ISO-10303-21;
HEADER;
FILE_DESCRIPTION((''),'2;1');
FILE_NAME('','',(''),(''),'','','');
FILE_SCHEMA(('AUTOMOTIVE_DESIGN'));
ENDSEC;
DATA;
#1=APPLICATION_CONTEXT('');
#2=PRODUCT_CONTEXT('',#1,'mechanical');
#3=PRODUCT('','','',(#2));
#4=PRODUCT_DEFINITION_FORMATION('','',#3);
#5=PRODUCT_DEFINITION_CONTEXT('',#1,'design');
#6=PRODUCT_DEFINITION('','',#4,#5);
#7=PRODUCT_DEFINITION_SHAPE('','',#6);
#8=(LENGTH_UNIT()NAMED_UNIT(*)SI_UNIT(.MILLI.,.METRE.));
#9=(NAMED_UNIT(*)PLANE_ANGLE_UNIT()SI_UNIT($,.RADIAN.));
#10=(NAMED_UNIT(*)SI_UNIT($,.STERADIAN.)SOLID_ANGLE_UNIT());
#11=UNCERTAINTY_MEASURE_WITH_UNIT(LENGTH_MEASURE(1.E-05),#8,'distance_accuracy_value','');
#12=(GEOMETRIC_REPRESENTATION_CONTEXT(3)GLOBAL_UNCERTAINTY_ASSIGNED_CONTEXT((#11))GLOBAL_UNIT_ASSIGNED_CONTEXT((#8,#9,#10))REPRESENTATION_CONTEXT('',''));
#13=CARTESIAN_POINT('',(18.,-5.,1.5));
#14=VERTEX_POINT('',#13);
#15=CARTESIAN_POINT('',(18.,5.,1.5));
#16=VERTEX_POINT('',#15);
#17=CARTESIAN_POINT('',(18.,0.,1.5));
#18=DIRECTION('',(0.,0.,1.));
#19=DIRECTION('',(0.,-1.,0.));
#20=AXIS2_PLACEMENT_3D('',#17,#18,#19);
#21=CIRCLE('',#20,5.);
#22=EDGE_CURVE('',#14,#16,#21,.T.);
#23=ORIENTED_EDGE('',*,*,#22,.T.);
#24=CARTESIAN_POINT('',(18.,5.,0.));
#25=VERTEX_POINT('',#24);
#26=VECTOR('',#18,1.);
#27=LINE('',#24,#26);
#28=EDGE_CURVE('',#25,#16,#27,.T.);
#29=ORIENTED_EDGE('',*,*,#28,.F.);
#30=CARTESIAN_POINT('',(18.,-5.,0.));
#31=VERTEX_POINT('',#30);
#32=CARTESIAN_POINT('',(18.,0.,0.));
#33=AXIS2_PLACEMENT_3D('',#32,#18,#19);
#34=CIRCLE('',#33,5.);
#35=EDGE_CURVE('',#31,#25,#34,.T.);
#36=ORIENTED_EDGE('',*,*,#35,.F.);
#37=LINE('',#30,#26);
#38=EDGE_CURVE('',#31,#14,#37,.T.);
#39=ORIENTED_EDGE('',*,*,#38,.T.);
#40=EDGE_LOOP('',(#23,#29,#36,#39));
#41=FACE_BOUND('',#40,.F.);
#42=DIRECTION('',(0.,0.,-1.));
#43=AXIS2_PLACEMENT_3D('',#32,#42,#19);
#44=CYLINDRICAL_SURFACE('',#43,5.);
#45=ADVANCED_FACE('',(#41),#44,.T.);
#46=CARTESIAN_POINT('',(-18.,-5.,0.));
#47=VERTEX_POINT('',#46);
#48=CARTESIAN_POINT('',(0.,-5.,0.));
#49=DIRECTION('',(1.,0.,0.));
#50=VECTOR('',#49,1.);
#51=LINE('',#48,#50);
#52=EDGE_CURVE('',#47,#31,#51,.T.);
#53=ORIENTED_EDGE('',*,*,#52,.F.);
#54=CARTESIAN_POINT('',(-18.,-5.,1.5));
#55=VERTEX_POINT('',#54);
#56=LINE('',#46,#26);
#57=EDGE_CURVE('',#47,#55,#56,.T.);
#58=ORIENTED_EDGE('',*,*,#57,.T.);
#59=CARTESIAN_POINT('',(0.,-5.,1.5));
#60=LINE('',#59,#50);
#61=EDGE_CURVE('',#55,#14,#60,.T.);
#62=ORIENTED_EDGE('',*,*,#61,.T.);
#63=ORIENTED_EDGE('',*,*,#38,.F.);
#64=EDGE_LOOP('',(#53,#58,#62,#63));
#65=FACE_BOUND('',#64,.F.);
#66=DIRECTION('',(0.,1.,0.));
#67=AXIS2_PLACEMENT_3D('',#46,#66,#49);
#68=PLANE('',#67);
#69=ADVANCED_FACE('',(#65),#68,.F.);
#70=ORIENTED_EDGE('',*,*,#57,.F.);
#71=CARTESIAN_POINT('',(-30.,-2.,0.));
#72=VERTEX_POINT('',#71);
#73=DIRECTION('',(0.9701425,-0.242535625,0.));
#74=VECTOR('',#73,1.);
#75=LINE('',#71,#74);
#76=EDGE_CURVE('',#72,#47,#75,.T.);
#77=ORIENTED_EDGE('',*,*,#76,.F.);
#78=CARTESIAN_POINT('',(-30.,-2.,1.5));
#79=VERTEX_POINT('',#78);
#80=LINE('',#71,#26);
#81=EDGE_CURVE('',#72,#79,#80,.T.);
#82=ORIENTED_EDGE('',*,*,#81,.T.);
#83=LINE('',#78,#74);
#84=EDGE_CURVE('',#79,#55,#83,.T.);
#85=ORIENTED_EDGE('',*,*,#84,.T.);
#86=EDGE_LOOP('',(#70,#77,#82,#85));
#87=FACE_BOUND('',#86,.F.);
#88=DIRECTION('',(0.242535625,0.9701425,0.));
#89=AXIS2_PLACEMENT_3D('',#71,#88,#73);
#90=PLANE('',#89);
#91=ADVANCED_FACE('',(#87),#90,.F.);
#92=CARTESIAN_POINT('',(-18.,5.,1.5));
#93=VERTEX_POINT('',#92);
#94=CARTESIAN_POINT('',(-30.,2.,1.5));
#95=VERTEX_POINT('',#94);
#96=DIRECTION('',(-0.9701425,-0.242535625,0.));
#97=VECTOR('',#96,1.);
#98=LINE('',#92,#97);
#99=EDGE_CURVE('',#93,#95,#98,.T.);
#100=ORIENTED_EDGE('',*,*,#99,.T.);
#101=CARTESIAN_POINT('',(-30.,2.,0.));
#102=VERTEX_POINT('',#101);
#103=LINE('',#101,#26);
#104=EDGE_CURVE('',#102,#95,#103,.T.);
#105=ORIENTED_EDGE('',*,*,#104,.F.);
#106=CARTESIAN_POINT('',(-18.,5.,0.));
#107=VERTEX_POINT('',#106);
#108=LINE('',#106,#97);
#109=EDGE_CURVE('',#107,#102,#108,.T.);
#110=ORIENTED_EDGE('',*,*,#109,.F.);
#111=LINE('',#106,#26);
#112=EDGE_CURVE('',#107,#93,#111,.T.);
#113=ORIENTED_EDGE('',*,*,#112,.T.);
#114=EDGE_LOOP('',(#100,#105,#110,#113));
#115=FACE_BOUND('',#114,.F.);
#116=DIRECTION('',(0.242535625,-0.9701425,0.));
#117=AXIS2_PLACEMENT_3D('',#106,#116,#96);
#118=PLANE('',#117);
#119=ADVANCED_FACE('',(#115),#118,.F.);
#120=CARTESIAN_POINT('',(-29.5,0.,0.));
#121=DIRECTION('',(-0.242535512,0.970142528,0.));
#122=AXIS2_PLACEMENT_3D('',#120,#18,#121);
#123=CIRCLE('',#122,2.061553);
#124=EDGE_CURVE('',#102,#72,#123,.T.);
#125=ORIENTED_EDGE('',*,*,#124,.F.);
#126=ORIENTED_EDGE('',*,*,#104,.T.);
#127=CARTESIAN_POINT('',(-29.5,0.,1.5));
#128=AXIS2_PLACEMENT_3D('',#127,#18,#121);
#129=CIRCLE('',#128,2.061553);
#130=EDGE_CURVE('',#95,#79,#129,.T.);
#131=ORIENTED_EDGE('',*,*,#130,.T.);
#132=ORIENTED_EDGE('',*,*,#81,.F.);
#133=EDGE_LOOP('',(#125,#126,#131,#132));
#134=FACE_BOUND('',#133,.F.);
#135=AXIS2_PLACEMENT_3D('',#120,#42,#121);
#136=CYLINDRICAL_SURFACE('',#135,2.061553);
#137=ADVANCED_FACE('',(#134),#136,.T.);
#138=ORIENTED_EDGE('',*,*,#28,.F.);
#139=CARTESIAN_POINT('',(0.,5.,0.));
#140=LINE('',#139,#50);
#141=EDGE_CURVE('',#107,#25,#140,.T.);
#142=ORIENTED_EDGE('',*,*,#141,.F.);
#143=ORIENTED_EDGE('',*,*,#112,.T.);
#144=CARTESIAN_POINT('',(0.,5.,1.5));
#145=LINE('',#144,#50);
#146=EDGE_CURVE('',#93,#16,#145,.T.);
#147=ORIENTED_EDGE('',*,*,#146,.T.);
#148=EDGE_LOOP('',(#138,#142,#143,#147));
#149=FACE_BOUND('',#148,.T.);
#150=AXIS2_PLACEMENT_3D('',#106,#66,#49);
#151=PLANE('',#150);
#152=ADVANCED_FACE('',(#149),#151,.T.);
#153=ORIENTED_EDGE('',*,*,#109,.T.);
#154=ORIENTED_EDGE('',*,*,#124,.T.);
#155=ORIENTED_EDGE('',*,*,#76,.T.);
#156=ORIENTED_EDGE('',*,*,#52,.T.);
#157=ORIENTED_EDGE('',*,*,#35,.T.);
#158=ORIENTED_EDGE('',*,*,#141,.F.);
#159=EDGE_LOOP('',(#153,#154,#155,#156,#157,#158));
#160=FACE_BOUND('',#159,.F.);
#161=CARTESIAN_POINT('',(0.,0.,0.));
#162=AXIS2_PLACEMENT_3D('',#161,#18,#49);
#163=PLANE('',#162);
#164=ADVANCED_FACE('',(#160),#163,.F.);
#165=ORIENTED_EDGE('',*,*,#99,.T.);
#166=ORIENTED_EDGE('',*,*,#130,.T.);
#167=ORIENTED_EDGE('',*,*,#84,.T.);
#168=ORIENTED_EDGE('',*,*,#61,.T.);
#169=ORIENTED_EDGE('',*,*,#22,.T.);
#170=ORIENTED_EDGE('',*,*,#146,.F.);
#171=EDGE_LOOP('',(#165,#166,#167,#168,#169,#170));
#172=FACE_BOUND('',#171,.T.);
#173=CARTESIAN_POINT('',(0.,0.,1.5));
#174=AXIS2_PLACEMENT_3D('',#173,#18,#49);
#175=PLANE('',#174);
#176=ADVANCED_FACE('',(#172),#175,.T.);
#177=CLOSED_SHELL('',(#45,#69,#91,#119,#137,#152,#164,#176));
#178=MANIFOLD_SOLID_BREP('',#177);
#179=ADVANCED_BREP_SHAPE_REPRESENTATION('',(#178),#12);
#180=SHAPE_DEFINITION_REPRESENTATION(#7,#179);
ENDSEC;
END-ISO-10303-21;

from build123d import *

# Parameters (mm, degrees)
F0_W     = 36
F0_H     = 10
F1_DEPTH = 1.5


with BuildPart() as f1:
    # F0 (on Top) → F1 (new body)
    with BuildSketch(Plane.XY):
        Rectangle(F0_W, F0_H)
        with BuildLine():
            Line((18, 5), (18, -5))
            ThreePointArc((18, -5), (23, 0), (18, 5))
        make_face()
        with BuildLine():
            Line((-30, -2), (-18, -5))
            Line((-18, -5), (-18, 5))
            Line((-18, 5), (-30, 2))
            ThreePointArc((-30, 2), (-31.561553, 0), (-30, -2))
        make_face()
    extrude(amount=F1_DEPTH)


solid = f1.part
